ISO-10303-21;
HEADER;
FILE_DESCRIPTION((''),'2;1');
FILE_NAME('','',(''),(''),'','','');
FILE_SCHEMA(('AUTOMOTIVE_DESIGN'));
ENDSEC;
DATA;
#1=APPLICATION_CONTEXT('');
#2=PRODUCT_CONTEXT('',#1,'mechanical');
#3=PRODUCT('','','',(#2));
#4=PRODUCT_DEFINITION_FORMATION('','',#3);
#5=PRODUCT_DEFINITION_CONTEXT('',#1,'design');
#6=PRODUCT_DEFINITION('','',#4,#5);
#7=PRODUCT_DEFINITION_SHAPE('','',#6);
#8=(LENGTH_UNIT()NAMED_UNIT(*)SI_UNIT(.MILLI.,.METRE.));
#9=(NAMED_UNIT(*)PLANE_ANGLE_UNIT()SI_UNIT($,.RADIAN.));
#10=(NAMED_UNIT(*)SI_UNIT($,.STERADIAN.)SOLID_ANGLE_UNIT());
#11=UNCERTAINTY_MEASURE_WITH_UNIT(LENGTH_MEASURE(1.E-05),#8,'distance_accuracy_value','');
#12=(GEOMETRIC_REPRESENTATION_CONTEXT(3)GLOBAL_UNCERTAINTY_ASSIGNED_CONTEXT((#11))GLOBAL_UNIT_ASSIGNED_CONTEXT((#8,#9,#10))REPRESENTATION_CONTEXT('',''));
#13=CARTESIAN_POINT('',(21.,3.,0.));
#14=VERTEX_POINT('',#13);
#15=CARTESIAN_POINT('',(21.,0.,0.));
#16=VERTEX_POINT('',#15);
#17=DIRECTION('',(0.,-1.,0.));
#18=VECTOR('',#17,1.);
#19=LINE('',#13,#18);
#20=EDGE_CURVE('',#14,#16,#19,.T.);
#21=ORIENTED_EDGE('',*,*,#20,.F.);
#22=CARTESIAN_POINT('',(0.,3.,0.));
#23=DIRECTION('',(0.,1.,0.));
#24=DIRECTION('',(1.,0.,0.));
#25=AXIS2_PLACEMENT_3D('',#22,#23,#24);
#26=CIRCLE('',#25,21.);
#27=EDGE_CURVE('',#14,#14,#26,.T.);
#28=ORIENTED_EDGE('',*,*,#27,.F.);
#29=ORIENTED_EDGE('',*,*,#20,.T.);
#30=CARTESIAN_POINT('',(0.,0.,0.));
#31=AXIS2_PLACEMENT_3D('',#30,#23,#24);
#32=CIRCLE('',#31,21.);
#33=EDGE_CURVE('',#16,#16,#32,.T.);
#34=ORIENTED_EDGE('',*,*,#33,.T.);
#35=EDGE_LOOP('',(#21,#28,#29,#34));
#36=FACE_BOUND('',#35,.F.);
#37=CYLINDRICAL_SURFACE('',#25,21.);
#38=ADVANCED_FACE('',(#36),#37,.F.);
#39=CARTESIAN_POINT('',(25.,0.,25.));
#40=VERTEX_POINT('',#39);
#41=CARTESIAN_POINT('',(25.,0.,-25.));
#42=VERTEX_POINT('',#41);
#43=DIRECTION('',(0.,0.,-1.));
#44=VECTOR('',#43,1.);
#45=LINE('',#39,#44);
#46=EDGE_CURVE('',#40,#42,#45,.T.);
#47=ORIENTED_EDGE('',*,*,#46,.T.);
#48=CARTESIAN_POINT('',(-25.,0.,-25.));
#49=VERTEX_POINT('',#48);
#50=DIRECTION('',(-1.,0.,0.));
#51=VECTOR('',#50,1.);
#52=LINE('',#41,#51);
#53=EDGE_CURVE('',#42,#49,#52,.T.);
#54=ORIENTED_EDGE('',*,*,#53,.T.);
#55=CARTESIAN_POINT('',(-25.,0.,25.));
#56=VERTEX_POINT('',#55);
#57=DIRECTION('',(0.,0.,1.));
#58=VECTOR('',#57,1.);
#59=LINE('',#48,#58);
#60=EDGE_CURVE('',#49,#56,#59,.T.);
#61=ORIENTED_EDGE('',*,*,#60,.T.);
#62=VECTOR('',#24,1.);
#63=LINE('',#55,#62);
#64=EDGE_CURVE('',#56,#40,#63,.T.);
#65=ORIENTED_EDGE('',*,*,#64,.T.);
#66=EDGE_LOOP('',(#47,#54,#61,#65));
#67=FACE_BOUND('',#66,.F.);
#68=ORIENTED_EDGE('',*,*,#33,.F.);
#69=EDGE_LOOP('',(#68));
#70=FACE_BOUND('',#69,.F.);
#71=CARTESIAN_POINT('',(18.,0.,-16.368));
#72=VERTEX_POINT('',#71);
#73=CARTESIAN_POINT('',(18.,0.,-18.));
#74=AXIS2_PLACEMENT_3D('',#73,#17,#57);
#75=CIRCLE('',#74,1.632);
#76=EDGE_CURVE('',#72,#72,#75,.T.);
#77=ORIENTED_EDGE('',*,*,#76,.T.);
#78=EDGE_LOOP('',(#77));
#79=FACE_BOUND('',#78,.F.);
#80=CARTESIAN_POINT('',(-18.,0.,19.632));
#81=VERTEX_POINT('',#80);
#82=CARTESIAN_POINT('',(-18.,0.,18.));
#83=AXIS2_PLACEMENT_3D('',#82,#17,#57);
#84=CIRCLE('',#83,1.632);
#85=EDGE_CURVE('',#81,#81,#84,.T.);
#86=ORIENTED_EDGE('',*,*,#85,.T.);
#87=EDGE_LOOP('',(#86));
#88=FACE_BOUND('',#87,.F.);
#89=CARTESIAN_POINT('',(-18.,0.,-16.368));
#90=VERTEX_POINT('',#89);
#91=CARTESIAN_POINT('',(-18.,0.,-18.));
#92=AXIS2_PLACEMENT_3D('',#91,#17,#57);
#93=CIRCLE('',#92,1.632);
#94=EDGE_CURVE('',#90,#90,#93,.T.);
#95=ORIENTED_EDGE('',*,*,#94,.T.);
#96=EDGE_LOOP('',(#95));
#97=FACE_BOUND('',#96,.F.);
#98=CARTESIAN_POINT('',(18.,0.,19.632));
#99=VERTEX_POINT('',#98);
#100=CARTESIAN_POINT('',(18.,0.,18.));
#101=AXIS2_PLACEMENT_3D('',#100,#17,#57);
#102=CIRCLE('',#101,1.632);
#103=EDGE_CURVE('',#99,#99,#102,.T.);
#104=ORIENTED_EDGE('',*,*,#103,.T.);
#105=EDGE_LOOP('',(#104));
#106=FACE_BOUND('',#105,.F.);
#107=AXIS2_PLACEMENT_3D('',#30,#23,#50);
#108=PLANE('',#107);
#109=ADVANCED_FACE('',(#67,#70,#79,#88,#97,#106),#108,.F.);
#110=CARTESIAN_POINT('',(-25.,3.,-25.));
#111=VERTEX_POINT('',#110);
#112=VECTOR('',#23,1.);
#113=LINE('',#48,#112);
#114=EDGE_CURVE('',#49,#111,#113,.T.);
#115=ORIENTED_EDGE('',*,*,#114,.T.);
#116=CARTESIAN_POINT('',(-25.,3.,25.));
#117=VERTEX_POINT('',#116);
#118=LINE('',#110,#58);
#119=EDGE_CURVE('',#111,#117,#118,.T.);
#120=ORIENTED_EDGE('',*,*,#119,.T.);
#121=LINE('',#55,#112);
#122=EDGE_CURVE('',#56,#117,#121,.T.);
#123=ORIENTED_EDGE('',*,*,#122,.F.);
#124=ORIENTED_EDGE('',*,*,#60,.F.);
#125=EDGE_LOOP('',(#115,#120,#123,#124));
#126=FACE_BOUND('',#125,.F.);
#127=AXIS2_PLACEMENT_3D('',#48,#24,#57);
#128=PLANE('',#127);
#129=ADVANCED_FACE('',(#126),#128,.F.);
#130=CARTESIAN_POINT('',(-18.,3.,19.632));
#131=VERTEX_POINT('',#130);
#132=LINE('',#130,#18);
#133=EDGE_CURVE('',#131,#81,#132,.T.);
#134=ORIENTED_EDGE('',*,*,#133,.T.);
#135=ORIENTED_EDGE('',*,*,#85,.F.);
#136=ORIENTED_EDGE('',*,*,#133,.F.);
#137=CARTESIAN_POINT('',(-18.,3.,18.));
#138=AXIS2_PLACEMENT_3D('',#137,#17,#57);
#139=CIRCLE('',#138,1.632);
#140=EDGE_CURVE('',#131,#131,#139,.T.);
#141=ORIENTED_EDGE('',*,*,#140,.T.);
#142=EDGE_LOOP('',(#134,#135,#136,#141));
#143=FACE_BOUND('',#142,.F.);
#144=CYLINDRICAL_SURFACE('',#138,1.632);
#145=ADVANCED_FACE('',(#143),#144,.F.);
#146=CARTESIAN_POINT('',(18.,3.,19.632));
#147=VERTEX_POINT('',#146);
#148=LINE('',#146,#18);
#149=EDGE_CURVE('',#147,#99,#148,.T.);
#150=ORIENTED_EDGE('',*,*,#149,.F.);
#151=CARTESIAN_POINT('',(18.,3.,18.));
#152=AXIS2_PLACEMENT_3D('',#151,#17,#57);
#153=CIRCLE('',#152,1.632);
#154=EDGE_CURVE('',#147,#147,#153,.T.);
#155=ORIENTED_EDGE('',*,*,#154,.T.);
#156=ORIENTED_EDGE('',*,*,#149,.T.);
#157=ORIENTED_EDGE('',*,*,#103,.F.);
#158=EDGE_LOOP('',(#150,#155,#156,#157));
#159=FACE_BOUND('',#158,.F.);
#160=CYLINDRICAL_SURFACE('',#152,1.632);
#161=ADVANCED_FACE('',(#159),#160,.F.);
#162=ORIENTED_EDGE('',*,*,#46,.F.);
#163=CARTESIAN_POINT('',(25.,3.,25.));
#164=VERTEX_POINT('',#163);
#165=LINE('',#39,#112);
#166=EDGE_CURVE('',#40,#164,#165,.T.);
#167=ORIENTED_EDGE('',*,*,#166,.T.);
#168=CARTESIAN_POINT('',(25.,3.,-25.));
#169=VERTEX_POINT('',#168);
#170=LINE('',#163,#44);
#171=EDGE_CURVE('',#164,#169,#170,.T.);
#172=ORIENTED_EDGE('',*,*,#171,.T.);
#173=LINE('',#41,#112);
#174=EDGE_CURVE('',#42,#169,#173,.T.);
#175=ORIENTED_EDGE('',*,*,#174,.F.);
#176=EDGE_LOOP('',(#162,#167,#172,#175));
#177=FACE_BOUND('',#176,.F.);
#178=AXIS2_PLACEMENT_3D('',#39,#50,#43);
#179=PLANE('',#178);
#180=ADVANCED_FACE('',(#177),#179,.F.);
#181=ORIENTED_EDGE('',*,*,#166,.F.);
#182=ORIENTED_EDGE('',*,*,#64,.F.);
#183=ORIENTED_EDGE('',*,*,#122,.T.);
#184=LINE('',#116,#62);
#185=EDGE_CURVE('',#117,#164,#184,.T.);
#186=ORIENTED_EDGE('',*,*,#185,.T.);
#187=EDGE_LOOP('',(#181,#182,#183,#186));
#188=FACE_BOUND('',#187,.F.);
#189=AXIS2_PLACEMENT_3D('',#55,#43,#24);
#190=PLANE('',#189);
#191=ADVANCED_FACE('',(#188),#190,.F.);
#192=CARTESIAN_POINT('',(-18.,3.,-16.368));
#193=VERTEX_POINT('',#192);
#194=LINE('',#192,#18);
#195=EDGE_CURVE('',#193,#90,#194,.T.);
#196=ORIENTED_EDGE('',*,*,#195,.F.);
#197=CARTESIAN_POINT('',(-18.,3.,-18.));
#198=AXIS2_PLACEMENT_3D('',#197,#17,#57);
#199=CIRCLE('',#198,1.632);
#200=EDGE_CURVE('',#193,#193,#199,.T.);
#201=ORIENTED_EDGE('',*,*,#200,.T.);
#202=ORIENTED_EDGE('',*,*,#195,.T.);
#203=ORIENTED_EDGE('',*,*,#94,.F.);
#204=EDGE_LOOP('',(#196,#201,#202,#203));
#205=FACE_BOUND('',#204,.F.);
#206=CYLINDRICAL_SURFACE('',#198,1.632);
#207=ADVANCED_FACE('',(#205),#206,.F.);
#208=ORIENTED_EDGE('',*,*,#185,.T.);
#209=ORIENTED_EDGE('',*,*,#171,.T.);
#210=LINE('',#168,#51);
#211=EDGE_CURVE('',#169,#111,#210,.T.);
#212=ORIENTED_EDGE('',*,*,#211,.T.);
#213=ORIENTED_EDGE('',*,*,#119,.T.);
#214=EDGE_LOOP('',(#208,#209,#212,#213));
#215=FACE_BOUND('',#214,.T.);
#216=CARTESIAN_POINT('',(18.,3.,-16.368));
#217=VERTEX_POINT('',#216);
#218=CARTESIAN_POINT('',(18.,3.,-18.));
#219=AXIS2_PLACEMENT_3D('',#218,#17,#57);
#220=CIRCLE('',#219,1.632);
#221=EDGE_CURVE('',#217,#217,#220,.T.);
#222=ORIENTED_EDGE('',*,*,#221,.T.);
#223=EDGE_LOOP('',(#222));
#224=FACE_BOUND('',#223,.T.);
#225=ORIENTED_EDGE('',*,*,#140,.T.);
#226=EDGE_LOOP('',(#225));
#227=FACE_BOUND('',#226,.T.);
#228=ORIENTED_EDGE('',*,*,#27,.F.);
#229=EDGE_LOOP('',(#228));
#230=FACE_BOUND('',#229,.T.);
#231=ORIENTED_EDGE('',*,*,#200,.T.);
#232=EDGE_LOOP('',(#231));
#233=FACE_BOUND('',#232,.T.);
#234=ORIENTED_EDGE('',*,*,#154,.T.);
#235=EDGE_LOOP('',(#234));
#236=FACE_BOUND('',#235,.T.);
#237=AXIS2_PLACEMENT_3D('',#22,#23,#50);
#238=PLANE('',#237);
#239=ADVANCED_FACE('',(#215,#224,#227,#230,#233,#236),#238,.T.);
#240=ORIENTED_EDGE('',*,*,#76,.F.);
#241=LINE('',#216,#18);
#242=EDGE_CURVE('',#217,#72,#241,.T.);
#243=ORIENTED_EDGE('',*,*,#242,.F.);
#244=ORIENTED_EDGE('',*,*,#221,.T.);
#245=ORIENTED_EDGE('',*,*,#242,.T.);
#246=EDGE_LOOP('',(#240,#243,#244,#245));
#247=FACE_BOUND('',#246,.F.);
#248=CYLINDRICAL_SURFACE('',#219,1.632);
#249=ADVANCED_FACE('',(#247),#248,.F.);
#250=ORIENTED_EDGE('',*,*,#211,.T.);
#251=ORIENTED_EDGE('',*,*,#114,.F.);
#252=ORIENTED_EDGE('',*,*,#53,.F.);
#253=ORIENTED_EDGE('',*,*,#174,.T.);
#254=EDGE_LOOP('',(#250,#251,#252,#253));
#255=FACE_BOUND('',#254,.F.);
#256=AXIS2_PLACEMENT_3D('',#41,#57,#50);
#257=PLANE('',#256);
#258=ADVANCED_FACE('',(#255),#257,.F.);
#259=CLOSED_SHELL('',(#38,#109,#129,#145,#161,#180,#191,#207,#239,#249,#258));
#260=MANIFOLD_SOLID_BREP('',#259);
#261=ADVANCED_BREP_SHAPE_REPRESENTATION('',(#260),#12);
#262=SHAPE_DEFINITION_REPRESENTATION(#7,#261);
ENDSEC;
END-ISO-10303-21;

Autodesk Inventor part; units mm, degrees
ref_plane "YZ Plane" through (0, 0, 0) normal (1, 0, 0) x (0, 1, 0)
ref_plane "XZ Plane" through (0, 0, 0) normal (0, 1, 0) x (-1, 0, 0)
ref_plane "XY Plane" through (0, 0, 0) normal (0, 0, 1) x (1, 0, 0)
sketch "Sketch7" plane through (0, 0, 0) normal (0, 1, 0) x (-1, 0, 0)
  line L0 (-25, -25) -> (25, -25)
  line L1 (25, -25) -> (25, 25)
  line L2 (25, 25) -> (-25, 25)
  line L3 (-25, 25) -> (-25, -25)
  line L4 (-25, -25) -> (25, 25) construction
  line L5 (25, -25) -> (-25, 25) construction
  point P0 (0, 0)
  point P1 (0, 0)
  dimension "d54" = 50
  dimension "d55" = 50
extrude "Extrusion4" add sketch "Sketch7" along normal blind 3
sketch "Sketch8" plane through (0, 3, 0) normal (0, 1, 0) x (1, 0, 0)
  circle A0 centre (0, 0) radius 21
  dimension "d58" = 42
extrude "Extrusion5" cut sketch "Sketch8" against normal blind 3
sketch "Sketch10" plane through (0, 3, 0) normal (0, 1, 0) x (1, 0, 0)
  line L0 (-18, -18) -> (18, -18)
  line L1 (18, -18) -> (18, 18)
  line L2 (18, 18) -> (-18, 18)
  line L3 (-18, 18) -> (-18, -18)
  line L4 (-18, -18) -> (18, 18) construction
  line L5 (18, -18) -> (-18, 18) construction
  point P0 (0, 0)
  dimension "d62" = 36
  dimension "d63" = 36
hole "Hole2" at (-18, 3, 18) at (-18, 3, -18) at (18, 3, -18) at (18, 3, 18) direction (0, -1, 0) diameter 3.264 end through all clearance for "Flat Head Machine Screw (82)" size "#4" standard "Ansi Unified Screw Threads"
properties part number "chamberPlateNA11_thin"
